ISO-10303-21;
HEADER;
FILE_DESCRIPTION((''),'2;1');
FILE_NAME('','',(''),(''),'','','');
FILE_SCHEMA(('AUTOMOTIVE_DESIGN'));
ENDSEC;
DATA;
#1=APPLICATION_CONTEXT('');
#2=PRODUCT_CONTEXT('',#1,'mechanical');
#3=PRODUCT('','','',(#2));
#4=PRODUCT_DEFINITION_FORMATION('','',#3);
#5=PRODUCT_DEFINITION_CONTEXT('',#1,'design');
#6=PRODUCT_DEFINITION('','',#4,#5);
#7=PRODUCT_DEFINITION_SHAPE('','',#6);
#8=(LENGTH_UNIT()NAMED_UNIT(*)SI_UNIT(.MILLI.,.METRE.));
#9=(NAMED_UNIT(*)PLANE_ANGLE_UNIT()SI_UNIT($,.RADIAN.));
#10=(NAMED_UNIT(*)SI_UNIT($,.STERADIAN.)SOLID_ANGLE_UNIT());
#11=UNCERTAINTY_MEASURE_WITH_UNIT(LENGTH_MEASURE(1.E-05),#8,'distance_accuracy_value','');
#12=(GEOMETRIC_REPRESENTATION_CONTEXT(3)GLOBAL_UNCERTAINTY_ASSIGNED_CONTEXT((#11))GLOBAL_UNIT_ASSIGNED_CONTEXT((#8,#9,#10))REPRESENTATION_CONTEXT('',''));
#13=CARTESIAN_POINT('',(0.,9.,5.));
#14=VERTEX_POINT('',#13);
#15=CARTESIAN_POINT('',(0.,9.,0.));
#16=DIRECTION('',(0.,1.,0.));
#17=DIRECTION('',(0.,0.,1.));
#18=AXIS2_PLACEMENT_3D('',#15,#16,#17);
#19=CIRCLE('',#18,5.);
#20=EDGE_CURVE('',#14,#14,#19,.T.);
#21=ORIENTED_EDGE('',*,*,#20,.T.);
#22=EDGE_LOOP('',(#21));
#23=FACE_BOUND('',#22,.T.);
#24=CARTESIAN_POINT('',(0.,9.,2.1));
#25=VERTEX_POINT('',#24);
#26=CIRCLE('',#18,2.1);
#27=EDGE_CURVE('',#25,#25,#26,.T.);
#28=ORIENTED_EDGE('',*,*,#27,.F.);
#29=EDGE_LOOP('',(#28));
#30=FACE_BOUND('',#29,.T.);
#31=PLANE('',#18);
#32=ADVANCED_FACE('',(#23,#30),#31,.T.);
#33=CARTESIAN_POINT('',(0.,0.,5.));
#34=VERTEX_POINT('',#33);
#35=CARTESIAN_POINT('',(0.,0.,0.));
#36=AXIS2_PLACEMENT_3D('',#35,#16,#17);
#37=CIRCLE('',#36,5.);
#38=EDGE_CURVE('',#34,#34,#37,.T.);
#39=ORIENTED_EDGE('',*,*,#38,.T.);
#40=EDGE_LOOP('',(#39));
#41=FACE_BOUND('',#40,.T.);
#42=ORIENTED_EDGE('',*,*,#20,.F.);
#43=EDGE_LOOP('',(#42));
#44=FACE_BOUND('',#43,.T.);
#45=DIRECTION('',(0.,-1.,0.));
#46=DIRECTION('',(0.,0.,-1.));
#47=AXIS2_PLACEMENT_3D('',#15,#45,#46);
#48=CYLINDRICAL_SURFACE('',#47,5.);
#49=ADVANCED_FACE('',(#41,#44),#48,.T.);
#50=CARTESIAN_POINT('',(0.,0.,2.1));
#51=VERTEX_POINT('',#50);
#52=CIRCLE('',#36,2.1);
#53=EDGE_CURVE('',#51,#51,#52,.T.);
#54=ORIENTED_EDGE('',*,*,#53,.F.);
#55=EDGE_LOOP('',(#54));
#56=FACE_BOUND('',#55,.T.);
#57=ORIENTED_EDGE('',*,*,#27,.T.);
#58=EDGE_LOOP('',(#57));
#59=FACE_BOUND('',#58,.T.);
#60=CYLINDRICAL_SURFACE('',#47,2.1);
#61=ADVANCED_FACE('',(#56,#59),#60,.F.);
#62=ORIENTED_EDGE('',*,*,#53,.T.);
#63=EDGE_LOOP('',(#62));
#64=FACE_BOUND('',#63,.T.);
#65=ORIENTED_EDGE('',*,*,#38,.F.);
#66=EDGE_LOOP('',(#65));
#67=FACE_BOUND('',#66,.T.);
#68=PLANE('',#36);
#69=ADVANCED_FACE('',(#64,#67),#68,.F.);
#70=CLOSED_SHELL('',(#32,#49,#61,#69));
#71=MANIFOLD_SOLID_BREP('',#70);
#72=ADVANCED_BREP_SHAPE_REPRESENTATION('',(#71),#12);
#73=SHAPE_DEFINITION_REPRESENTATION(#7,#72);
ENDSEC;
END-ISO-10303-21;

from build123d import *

# Parameters (mm, degrees)
SZKIC1_R                    = 5
SZKIC1_R_2                  = 2.1
DODANIE_WYCI_GNI_CIE1_DEPTH = 9


with BuildPart() as part:
    # Szkic1 → Dodanie-wyciągnięcie1 (new body)
    with BuildSketch(Plane(origin=(0, 0, 0), x_dir=(1, 0, 0), z_dir=(0, 1, 0))):
        with Locations(Location((0, 0, 0), (0, 0, 270))):
            Circle(SZKIC1_R)
        with Locations(Location((0, 0, 0), (0, 0, 270))):
            Circle(SZKIC1_R_2, mode=Mode.SUBTRACT)
    extrude(amount=DODANIE_WYCI_GNI_CIE1_DEPTH)


solid = part.part
